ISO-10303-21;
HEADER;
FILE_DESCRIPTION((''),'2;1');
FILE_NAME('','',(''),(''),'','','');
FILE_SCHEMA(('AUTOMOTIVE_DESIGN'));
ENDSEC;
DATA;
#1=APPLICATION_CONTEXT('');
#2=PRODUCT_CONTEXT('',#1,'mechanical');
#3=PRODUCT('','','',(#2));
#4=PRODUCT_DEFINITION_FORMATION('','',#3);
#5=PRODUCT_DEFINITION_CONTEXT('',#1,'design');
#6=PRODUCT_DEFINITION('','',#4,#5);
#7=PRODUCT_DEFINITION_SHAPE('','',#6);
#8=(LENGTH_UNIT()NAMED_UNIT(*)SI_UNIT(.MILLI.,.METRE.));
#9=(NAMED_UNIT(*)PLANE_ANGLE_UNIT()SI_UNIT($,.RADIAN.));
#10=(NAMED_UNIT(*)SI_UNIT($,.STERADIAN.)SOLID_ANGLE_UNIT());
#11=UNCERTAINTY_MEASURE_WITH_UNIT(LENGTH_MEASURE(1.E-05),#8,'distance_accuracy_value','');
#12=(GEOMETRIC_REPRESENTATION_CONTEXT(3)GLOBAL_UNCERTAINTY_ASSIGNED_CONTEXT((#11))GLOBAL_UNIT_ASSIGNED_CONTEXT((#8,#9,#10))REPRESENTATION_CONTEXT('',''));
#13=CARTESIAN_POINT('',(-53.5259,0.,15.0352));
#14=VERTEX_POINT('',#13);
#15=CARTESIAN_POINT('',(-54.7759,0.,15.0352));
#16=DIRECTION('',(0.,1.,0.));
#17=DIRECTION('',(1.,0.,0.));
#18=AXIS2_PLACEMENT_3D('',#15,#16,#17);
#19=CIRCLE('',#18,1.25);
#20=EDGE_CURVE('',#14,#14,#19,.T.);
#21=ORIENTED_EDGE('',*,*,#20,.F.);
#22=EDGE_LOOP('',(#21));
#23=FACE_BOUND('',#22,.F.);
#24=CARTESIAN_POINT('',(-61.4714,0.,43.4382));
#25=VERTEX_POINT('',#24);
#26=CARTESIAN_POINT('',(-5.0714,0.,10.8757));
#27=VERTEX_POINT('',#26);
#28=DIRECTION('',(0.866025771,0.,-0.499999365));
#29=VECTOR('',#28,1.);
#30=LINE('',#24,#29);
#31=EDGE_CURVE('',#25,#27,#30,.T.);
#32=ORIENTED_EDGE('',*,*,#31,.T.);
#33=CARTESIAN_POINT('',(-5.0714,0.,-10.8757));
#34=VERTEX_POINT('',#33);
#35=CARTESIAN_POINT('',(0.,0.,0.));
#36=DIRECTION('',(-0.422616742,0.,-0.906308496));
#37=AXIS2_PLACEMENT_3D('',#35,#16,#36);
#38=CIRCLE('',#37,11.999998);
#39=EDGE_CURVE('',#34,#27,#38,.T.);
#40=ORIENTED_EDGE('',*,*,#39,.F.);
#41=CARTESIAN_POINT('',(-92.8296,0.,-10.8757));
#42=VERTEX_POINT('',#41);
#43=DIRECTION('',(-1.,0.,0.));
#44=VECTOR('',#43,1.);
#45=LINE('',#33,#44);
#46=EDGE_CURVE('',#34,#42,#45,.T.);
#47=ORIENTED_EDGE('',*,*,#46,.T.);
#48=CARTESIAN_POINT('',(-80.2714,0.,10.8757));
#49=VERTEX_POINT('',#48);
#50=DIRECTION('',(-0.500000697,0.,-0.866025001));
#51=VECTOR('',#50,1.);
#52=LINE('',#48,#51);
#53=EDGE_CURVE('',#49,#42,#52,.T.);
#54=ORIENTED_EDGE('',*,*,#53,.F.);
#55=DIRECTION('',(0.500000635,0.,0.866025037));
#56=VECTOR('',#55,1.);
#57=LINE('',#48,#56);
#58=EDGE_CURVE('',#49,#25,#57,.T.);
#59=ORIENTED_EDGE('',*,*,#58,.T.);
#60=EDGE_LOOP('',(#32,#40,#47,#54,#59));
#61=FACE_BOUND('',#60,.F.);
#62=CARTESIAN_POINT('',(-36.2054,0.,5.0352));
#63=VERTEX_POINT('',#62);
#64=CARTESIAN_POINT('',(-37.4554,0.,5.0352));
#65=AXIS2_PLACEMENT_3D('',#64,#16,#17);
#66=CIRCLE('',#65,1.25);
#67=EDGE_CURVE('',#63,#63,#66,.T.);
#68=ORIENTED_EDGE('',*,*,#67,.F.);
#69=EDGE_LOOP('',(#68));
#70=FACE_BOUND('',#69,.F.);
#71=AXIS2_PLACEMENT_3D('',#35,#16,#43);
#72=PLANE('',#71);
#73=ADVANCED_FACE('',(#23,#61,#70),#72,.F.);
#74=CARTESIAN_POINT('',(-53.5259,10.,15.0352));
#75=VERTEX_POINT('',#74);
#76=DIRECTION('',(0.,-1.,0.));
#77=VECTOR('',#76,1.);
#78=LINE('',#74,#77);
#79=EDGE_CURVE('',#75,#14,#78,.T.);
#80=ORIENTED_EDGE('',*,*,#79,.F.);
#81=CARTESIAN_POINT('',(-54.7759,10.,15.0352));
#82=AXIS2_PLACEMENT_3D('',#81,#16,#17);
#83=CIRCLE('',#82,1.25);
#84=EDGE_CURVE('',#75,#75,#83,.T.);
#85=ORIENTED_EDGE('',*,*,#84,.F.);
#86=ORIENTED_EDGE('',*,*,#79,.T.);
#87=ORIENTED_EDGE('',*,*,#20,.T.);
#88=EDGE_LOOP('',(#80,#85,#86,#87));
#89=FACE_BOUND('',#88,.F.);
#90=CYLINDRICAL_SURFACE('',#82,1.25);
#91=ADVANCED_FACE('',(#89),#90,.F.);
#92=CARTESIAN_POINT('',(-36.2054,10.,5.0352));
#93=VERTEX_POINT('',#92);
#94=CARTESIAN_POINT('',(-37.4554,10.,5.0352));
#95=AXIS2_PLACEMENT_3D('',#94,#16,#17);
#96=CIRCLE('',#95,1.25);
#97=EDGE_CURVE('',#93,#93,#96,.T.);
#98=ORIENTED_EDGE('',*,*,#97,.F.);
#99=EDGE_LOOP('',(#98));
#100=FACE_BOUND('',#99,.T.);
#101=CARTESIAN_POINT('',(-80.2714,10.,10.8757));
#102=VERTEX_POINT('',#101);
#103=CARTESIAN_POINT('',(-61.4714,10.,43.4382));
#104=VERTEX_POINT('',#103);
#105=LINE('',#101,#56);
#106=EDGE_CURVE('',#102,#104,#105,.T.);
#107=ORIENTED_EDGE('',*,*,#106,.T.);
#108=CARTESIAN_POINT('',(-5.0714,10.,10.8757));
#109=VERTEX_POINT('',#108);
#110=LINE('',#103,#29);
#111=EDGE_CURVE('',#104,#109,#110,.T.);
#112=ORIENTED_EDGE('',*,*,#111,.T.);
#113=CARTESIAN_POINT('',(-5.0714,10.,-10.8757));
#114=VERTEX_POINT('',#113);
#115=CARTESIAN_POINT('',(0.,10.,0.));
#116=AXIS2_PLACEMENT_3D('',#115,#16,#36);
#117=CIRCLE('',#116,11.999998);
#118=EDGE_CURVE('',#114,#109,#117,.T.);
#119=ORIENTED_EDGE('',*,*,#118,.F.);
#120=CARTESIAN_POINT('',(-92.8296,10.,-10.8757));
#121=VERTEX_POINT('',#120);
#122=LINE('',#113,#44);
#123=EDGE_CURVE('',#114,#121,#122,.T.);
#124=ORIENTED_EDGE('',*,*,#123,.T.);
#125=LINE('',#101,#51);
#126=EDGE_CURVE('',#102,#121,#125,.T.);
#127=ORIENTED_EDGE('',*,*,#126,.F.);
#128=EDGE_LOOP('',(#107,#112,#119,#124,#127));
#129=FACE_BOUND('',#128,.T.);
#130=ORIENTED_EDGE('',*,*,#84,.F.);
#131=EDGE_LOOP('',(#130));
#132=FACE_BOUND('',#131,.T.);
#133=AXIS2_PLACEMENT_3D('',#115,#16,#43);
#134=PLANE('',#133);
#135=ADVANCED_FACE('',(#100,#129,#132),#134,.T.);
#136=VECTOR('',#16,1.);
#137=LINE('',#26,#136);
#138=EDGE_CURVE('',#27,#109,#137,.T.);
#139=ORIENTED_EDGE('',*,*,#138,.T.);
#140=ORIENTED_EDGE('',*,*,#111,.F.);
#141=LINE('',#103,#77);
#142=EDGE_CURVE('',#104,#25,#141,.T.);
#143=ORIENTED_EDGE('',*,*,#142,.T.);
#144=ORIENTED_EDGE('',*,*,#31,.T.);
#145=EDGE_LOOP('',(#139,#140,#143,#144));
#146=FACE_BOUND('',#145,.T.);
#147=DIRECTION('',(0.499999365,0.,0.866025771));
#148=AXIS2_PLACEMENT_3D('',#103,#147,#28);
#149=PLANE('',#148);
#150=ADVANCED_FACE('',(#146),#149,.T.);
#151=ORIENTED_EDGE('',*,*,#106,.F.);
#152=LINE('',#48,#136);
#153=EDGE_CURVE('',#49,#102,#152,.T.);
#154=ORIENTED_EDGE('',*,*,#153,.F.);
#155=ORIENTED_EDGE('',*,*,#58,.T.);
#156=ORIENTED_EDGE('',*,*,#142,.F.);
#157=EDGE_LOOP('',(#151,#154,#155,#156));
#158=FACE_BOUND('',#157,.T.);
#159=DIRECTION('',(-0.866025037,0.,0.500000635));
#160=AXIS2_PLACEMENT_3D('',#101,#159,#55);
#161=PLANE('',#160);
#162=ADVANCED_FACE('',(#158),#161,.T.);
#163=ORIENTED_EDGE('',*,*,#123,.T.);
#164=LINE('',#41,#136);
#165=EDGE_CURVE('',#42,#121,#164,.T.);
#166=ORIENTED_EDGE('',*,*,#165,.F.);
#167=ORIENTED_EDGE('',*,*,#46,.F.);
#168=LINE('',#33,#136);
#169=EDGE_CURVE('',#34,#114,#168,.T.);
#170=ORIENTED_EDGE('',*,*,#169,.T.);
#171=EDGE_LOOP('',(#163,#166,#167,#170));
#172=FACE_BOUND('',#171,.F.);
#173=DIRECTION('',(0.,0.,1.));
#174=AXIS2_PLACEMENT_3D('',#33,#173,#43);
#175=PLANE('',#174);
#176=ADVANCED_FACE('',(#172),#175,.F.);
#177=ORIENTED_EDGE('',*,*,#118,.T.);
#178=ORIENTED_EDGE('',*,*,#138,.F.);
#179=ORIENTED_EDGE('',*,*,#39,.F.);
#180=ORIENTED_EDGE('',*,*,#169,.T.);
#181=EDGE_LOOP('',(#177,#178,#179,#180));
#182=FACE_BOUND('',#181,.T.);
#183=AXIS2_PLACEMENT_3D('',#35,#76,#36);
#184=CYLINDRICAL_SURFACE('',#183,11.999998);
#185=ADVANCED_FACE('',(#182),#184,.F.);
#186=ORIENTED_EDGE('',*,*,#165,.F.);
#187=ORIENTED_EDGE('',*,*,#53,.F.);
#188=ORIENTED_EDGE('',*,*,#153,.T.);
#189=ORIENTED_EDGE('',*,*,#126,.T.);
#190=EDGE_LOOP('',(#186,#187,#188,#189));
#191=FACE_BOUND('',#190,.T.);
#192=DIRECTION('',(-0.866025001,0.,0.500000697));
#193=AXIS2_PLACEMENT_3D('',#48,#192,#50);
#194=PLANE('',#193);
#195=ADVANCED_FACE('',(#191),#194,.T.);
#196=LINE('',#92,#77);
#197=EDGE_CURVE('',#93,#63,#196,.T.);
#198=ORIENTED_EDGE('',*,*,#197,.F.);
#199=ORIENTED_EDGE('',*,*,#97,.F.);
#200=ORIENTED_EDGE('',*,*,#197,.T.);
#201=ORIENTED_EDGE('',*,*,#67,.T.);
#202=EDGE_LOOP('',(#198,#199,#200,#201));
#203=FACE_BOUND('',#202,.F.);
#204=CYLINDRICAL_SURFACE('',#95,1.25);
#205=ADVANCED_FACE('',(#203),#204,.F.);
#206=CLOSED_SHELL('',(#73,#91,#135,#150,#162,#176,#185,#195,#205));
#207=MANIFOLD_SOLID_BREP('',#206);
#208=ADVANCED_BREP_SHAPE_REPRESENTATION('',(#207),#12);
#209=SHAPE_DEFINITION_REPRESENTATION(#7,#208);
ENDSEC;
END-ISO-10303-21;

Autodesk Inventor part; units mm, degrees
ref_plane "YZ Plane" through (0, 0, 0) normal (1, 0, 0) x (0, 1, 0)
ref_plane "XZ Plane" through (0, 0, 0) normal (0, 1, 0) x (-1, 0, 0)
ref_plane "XY Plane" through (0, 0, 0) normal (0, 0, 1) x (1, 0, 0)
sketch "Sketch1" plane through (0, 0, 0) normal (0, 1, 0) x (-1, 0, 0)
  point P0 (0, 0)
sketch "Sketch2" plane through (0, 0, 0) normal (0, 1, 0) x (-1, 0, 0)
  circle A0 centre (0, 0) radius 10 construction
  arc A1 (5.0714, -10.8757) -> (5.0714, 10.8757) centre (0, 0) ccw
  line L0 (5.0714, 10.8757) -> (5.0714, -10.8757) construction
  line L1 (5.0714, -10.8757) -> (92.8296, -10.8757)
  line L2 (5.0714, -10.8757) -> (92.8296, -10.8757) construction
  line L3 (80.2714, 10.8757) -> (92.8296, -10.8757)
  line L4 (80.2714, 10.8757) -> (5.0714, 10.8757)
  dimension "d0" = 20
  dimension "d2" = 2
  dimension "d3" = 130
  dimension "d5" = 0
  dimension "d14" = 75.2
  dimension "d15" = 12.5582
extrude "Extrusion1" add sketch "Sketch2" along normal blind 10
sketch "Sketch3" plane through (0, 10, 0) normal (0, 1, 0) x (1, 0, 0)
  line L0 (-80.2714, -10.8757) -> (-92.8296, 10.8757) projected
  line L1 (-80.2714, -10.8757) -> (-61.4714, -43.4382)
  arc A0 (-5.0714, 10.8757) -> (-5.0714, -10.8757) centre (0, 0) ccw projected
  line L2 (-61.4714, -43.4382) -> (-5.0714, -10.8757)
  line L3 (-80.2714, -10.8757) -> (-5.0714, -10.8757) projected
  line L4 (-80.2714, -10.8757) -> (-5.0714, -10.8757)
  point P0 (-104.4015, 68.9975)
  point P1 (-92.8296, 10.8757)
extrude "Extrusion2" add sketch "Sketch3" against normal blind 10
sketch "Sketch4" plane through (0, 10, 0) normal (0, 1, 0) x (1, 0, 0)
  circle A0 centre (-54.7759, -15.0352) radius 1.25
  circle A1 centre (-37.4554, -5.0352) radius 1.25
  line L0 (-54.7759, -15.0352) -> (-37.4554, -5.0352) construction
  line L1 (-61.4714, -43.4382) -> (-5.0714, -10.8757) construction
  line L2 (-92.8296, 10.8757) -> (-61.4714, -43.4382) construction
  point P0 (0, 0)
  dimension "d16" = 2.5
  dimension "d17" = 2.5
  dimension "d18" = 20
  dimension "d19" = 20
  dimension "d20" = 21.25
extrude "Extrusion3" cut sketch "Sketch4" along normal through all both and the other way through all
properties part number "flipper-hug-left-2"
